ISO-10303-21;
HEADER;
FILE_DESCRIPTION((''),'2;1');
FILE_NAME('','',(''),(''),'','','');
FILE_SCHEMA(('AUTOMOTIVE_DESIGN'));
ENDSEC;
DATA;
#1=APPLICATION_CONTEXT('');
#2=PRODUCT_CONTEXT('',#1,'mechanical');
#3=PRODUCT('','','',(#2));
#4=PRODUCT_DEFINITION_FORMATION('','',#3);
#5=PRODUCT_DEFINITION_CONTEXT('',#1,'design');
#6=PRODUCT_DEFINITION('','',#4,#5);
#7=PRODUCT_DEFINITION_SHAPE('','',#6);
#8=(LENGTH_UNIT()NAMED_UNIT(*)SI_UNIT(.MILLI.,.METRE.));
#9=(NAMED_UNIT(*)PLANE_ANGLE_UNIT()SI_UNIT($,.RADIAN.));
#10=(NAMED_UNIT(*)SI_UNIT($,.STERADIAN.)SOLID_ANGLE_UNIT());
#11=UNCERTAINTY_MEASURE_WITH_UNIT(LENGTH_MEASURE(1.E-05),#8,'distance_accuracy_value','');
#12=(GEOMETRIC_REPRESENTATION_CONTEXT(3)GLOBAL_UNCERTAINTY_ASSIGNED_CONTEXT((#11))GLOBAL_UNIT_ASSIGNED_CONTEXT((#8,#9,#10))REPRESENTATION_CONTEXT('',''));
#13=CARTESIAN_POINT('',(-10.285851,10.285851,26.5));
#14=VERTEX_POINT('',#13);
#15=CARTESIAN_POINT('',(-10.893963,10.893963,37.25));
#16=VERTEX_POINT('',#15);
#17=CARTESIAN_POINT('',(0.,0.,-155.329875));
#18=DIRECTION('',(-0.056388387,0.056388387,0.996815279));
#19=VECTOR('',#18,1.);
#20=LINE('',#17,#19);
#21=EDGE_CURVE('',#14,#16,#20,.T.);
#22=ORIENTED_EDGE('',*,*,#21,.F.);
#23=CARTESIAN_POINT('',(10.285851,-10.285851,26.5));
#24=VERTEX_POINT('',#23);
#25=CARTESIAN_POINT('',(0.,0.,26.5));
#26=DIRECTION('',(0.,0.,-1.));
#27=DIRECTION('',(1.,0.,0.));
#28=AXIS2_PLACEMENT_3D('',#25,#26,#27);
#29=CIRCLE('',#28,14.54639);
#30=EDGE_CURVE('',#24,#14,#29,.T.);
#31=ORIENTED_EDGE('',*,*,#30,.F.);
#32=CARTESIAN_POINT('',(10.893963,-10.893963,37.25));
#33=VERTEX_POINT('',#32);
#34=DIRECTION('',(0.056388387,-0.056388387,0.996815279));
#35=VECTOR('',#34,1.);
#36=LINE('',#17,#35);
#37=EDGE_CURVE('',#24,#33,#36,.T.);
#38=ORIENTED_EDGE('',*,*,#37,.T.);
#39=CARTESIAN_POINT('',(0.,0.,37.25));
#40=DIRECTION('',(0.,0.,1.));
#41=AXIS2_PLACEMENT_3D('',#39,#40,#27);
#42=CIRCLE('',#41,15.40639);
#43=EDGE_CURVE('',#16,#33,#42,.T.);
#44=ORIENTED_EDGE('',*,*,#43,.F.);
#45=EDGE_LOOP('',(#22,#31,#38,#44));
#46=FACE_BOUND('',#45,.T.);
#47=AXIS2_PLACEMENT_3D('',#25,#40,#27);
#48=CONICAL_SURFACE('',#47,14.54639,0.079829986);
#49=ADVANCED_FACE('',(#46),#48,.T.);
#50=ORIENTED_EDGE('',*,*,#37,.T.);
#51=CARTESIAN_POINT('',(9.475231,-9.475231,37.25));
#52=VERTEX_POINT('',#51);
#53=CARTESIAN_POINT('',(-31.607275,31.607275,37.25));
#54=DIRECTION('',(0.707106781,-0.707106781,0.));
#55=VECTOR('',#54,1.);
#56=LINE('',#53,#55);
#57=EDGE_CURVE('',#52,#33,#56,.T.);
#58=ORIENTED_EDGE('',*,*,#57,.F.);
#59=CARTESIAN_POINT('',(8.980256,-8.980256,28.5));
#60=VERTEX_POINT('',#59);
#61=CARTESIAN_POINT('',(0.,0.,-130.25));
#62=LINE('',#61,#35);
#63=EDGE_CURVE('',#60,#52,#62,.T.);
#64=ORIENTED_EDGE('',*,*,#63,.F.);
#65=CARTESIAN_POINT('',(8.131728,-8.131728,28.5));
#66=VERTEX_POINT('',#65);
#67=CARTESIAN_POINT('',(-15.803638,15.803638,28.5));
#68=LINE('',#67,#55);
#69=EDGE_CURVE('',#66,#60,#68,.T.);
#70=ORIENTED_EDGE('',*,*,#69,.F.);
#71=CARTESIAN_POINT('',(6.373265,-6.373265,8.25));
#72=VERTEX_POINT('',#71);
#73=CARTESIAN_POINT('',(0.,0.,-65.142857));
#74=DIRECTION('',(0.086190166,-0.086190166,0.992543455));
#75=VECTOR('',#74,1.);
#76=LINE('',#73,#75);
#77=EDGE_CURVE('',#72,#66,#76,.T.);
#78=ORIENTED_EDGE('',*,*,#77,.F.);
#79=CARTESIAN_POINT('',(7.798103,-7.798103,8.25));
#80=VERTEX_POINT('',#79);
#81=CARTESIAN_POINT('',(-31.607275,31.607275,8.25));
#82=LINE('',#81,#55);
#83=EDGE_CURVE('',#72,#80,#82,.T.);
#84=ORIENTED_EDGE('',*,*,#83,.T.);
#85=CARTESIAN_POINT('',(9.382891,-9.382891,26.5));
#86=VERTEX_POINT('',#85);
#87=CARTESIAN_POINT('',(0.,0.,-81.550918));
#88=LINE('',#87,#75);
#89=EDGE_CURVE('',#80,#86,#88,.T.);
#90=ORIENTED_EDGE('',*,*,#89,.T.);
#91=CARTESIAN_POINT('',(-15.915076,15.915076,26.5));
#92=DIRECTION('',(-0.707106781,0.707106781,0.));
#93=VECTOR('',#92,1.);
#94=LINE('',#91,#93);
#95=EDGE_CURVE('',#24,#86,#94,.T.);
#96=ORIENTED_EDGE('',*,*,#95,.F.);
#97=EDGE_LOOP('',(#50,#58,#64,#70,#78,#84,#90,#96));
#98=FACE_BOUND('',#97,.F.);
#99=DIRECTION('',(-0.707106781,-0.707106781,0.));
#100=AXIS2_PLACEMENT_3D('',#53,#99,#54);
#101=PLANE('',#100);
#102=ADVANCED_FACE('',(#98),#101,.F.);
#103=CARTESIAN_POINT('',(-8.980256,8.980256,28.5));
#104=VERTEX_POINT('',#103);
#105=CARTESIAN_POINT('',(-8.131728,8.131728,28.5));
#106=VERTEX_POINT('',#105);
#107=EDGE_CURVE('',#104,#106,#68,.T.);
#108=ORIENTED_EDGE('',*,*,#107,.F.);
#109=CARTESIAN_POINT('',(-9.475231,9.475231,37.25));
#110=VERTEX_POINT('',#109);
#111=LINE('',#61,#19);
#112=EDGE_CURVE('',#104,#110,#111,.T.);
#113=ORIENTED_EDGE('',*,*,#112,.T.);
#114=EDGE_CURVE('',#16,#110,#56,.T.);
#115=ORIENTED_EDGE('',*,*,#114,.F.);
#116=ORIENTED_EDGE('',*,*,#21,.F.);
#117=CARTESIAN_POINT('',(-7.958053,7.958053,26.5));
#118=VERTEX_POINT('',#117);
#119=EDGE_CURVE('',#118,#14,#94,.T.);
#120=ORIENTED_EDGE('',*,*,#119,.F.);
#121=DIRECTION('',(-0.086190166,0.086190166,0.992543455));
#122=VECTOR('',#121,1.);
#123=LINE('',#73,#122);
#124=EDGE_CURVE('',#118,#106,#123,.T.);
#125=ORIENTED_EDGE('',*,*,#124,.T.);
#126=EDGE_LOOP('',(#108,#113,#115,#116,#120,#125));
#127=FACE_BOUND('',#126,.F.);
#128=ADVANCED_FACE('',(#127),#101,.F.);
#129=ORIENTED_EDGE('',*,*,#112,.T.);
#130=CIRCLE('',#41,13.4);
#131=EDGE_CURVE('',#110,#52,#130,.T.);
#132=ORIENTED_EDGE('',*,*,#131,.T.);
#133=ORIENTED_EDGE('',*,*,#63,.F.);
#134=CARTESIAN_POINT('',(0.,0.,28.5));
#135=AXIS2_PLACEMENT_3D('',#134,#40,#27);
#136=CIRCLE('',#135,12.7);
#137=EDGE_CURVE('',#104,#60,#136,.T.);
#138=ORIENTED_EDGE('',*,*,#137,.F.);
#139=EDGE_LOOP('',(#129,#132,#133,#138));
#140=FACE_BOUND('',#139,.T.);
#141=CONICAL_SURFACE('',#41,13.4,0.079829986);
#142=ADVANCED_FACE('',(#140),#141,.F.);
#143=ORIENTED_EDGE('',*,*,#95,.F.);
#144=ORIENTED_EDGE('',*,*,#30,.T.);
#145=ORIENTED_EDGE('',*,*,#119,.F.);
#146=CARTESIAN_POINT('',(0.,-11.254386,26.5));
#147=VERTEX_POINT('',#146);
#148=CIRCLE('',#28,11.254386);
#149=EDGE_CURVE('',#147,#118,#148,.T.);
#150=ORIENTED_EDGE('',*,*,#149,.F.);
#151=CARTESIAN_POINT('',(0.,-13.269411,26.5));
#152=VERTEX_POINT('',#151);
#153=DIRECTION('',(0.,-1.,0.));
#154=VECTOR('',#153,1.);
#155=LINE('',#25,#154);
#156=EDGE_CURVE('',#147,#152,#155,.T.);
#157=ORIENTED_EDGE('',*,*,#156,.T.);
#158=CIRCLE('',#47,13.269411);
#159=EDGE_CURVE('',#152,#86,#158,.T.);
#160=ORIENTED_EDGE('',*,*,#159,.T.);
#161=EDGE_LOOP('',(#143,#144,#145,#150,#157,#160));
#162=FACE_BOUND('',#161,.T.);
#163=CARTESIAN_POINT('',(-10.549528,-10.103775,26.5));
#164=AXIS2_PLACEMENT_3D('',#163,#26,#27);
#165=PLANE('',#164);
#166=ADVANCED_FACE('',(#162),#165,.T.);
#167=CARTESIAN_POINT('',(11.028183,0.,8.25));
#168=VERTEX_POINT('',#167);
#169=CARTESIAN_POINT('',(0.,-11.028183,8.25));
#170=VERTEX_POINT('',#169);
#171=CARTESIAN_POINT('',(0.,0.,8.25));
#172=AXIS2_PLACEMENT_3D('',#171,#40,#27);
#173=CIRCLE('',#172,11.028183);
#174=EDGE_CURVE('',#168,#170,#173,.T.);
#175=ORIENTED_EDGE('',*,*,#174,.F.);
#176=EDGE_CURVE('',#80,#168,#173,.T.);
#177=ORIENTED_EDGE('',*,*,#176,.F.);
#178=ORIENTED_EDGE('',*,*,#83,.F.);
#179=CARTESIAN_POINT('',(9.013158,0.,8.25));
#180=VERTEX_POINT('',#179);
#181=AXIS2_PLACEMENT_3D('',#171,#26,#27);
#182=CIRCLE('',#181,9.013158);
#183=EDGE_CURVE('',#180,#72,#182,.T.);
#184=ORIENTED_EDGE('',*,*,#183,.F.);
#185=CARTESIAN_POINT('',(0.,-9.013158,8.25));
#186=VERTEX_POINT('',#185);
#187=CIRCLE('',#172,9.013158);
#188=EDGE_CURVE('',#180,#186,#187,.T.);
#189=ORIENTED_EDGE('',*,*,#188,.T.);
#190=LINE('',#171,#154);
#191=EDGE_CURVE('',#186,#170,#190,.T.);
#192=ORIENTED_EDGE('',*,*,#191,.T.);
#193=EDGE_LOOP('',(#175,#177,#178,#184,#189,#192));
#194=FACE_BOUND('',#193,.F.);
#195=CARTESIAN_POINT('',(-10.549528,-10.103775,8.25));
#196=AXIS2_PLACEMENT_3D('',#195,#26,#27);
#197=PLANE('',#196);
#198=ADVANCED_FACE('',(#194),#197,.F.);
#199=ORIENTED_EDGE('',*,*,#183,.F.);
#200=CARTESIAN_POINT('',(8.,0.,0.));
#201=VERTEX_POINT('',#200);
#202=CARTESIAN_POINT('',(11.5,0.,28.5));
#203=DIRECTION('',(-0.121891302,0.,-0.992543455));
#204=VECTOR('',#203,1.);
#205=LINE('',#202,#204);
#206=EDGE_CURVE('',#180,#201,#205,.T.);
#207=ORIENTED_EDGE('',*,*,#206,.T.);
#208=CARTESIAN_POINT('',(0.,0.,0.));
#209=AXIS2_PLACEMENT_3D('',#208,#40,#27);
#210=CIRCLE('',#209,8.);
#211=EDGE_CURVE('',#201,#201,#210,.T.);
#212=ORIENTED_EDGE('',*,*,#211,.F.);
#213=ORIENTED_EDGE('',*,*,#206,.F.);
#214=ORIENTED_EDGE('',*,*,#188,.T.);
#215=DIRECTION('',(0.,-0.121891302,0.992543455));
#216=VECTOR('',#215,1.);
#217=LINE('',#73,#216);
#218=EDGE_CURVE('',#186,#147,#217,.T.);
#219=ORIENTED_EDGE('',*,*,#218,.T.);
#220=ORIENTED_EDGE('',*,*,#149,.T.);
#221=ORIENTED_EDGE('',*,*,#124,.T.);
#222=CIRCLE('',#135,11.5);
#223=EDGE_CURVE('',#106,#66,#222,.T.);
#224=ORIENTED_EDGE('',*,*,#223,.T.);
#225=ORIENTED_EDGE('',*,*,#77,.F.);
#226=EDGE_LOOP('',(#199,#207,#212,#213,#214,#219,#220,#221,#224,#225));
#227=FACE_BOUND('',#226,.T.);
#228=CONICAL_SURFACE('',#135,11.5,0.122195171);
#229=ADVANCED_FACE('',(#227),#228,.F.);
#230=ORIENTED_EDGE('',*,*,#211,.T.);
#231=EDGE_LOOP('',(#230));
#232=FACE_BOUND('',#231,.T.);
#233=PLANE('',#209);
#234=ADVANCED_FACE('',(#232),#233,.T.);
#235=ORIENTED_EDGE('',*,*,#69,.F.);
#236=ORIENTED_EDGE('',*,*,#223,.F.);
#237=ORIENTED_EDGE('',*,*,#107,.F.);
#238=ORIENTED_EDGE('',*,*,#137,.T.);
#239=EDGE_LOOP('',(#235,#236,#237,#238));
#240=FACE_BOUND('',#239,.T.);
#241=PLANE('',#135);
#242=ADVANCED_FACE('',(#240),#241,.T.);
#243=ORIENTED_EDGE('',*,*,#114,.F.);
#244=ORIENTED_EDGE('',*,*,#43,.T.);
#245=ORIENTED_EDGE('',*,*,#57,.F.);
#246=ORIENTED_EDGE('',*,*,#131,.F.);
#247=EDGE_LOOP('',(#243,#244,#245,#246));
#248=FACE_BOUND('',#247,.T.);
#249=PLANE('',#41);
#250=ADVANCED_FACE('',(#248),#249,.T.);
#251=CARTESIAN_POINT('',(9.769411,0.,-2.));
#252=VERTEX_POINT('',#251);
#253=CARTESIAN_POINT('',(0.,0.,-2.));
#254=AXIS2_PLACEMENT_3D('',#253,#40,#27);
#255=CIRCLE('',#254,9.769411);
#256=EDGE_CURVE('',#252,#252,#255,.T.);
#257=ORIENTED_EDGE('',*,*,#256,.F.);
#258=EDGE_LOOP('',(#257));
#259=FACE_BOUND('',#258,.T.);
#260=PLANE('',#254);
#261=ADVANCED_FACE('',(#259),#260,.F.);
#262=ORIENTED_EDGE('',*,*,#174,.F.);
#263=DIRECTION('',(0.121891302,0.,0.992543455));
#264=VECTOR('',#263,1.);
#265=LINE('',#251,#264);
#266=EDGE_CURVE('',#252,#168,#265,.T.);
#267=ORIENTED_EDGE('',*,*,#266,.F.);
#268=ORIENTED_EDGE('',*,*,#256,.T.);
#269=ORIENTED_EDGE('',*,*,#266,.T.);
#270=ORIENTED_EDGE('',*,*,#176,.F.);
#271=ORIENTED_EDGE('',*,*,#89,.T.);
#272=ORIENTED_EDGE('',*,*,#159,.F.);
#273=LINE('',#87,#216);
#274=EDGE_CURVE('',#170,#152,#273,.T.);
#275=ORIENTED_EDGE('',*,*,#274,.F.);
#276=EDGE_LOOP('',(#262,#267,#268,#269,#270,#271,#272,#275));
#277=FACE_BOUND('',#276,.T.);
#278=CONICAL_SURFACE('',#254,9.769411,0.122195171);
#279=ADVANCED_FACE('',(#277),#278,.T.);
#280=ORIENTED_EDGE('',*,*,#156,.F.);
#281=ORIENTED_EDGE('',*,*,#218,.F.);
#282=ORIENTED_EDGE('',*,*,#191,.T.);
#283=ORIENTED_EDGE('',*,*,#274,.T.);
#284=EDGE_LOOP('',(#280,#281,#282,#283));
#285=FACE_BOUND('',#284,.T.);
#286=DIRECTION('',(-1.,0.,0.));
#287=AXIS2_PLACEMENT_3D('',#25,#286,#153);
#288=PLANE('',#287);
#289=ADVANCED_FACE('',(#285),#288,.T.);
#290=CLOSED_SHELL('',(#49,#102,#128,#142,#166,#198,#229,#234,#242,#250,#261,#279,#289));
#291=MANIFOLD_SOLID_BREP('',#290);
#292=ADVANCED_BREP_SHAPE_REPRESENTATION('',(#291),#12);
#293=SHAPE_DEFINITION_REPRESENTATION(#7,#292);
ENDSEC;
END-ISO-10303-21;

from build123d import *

# Parameters (mm, degrees)
F3_DEPTH = 18.25
F5_DEPTH = 29


with BuildPart() as f1:
    # F0 (on Front) → F1 (revolve)
    with BuildSketch(Plane.XZ):
        Polygon((8, 0), (0, 0), (0, -2), (9.769411, -2), (13.269411, 26.5), (14.54639, 26.5), (15.40639, 37.25), (13.4, 37.25), (12.7, 28.5), (11.5, 28.5), align=None)
    revolve(axis=Axis((0, 0, 14.25), (0, 0, 1)))

    # F2 (on face) → F3 (cut)
    with BuildSketch(Plane(origin=(0, 0, 26.5), x_dir=(1, 0, 0), z_dir=(0, 0, -1))):
        Polygon((-21.099057, 0), (-20.108491, 0), (0, 0), (0, 20.207549), (-21.099057, 20.207549), align=None)
        Polygon((0, 0), (-20.108491, 0), (-20.108491, -19.117925), (20.306604, -19.117925), (20.306604, 0), align=None)
    extrude(amount=F3_DEPTH, mode=Mode.SUBTRACT)

    # F4 (on face) → F5 (cut)
    with BuildSketch(Plane.XY.offset(37.25)):
        Polygon((25.364828, 31.607275), (-31.607275, 31.607275), (25.364828, -25.364828), align=None)
    extrude(amount=-F5_DEPTH, mode=Mode.SUBTRACT)


solid = f1.part
